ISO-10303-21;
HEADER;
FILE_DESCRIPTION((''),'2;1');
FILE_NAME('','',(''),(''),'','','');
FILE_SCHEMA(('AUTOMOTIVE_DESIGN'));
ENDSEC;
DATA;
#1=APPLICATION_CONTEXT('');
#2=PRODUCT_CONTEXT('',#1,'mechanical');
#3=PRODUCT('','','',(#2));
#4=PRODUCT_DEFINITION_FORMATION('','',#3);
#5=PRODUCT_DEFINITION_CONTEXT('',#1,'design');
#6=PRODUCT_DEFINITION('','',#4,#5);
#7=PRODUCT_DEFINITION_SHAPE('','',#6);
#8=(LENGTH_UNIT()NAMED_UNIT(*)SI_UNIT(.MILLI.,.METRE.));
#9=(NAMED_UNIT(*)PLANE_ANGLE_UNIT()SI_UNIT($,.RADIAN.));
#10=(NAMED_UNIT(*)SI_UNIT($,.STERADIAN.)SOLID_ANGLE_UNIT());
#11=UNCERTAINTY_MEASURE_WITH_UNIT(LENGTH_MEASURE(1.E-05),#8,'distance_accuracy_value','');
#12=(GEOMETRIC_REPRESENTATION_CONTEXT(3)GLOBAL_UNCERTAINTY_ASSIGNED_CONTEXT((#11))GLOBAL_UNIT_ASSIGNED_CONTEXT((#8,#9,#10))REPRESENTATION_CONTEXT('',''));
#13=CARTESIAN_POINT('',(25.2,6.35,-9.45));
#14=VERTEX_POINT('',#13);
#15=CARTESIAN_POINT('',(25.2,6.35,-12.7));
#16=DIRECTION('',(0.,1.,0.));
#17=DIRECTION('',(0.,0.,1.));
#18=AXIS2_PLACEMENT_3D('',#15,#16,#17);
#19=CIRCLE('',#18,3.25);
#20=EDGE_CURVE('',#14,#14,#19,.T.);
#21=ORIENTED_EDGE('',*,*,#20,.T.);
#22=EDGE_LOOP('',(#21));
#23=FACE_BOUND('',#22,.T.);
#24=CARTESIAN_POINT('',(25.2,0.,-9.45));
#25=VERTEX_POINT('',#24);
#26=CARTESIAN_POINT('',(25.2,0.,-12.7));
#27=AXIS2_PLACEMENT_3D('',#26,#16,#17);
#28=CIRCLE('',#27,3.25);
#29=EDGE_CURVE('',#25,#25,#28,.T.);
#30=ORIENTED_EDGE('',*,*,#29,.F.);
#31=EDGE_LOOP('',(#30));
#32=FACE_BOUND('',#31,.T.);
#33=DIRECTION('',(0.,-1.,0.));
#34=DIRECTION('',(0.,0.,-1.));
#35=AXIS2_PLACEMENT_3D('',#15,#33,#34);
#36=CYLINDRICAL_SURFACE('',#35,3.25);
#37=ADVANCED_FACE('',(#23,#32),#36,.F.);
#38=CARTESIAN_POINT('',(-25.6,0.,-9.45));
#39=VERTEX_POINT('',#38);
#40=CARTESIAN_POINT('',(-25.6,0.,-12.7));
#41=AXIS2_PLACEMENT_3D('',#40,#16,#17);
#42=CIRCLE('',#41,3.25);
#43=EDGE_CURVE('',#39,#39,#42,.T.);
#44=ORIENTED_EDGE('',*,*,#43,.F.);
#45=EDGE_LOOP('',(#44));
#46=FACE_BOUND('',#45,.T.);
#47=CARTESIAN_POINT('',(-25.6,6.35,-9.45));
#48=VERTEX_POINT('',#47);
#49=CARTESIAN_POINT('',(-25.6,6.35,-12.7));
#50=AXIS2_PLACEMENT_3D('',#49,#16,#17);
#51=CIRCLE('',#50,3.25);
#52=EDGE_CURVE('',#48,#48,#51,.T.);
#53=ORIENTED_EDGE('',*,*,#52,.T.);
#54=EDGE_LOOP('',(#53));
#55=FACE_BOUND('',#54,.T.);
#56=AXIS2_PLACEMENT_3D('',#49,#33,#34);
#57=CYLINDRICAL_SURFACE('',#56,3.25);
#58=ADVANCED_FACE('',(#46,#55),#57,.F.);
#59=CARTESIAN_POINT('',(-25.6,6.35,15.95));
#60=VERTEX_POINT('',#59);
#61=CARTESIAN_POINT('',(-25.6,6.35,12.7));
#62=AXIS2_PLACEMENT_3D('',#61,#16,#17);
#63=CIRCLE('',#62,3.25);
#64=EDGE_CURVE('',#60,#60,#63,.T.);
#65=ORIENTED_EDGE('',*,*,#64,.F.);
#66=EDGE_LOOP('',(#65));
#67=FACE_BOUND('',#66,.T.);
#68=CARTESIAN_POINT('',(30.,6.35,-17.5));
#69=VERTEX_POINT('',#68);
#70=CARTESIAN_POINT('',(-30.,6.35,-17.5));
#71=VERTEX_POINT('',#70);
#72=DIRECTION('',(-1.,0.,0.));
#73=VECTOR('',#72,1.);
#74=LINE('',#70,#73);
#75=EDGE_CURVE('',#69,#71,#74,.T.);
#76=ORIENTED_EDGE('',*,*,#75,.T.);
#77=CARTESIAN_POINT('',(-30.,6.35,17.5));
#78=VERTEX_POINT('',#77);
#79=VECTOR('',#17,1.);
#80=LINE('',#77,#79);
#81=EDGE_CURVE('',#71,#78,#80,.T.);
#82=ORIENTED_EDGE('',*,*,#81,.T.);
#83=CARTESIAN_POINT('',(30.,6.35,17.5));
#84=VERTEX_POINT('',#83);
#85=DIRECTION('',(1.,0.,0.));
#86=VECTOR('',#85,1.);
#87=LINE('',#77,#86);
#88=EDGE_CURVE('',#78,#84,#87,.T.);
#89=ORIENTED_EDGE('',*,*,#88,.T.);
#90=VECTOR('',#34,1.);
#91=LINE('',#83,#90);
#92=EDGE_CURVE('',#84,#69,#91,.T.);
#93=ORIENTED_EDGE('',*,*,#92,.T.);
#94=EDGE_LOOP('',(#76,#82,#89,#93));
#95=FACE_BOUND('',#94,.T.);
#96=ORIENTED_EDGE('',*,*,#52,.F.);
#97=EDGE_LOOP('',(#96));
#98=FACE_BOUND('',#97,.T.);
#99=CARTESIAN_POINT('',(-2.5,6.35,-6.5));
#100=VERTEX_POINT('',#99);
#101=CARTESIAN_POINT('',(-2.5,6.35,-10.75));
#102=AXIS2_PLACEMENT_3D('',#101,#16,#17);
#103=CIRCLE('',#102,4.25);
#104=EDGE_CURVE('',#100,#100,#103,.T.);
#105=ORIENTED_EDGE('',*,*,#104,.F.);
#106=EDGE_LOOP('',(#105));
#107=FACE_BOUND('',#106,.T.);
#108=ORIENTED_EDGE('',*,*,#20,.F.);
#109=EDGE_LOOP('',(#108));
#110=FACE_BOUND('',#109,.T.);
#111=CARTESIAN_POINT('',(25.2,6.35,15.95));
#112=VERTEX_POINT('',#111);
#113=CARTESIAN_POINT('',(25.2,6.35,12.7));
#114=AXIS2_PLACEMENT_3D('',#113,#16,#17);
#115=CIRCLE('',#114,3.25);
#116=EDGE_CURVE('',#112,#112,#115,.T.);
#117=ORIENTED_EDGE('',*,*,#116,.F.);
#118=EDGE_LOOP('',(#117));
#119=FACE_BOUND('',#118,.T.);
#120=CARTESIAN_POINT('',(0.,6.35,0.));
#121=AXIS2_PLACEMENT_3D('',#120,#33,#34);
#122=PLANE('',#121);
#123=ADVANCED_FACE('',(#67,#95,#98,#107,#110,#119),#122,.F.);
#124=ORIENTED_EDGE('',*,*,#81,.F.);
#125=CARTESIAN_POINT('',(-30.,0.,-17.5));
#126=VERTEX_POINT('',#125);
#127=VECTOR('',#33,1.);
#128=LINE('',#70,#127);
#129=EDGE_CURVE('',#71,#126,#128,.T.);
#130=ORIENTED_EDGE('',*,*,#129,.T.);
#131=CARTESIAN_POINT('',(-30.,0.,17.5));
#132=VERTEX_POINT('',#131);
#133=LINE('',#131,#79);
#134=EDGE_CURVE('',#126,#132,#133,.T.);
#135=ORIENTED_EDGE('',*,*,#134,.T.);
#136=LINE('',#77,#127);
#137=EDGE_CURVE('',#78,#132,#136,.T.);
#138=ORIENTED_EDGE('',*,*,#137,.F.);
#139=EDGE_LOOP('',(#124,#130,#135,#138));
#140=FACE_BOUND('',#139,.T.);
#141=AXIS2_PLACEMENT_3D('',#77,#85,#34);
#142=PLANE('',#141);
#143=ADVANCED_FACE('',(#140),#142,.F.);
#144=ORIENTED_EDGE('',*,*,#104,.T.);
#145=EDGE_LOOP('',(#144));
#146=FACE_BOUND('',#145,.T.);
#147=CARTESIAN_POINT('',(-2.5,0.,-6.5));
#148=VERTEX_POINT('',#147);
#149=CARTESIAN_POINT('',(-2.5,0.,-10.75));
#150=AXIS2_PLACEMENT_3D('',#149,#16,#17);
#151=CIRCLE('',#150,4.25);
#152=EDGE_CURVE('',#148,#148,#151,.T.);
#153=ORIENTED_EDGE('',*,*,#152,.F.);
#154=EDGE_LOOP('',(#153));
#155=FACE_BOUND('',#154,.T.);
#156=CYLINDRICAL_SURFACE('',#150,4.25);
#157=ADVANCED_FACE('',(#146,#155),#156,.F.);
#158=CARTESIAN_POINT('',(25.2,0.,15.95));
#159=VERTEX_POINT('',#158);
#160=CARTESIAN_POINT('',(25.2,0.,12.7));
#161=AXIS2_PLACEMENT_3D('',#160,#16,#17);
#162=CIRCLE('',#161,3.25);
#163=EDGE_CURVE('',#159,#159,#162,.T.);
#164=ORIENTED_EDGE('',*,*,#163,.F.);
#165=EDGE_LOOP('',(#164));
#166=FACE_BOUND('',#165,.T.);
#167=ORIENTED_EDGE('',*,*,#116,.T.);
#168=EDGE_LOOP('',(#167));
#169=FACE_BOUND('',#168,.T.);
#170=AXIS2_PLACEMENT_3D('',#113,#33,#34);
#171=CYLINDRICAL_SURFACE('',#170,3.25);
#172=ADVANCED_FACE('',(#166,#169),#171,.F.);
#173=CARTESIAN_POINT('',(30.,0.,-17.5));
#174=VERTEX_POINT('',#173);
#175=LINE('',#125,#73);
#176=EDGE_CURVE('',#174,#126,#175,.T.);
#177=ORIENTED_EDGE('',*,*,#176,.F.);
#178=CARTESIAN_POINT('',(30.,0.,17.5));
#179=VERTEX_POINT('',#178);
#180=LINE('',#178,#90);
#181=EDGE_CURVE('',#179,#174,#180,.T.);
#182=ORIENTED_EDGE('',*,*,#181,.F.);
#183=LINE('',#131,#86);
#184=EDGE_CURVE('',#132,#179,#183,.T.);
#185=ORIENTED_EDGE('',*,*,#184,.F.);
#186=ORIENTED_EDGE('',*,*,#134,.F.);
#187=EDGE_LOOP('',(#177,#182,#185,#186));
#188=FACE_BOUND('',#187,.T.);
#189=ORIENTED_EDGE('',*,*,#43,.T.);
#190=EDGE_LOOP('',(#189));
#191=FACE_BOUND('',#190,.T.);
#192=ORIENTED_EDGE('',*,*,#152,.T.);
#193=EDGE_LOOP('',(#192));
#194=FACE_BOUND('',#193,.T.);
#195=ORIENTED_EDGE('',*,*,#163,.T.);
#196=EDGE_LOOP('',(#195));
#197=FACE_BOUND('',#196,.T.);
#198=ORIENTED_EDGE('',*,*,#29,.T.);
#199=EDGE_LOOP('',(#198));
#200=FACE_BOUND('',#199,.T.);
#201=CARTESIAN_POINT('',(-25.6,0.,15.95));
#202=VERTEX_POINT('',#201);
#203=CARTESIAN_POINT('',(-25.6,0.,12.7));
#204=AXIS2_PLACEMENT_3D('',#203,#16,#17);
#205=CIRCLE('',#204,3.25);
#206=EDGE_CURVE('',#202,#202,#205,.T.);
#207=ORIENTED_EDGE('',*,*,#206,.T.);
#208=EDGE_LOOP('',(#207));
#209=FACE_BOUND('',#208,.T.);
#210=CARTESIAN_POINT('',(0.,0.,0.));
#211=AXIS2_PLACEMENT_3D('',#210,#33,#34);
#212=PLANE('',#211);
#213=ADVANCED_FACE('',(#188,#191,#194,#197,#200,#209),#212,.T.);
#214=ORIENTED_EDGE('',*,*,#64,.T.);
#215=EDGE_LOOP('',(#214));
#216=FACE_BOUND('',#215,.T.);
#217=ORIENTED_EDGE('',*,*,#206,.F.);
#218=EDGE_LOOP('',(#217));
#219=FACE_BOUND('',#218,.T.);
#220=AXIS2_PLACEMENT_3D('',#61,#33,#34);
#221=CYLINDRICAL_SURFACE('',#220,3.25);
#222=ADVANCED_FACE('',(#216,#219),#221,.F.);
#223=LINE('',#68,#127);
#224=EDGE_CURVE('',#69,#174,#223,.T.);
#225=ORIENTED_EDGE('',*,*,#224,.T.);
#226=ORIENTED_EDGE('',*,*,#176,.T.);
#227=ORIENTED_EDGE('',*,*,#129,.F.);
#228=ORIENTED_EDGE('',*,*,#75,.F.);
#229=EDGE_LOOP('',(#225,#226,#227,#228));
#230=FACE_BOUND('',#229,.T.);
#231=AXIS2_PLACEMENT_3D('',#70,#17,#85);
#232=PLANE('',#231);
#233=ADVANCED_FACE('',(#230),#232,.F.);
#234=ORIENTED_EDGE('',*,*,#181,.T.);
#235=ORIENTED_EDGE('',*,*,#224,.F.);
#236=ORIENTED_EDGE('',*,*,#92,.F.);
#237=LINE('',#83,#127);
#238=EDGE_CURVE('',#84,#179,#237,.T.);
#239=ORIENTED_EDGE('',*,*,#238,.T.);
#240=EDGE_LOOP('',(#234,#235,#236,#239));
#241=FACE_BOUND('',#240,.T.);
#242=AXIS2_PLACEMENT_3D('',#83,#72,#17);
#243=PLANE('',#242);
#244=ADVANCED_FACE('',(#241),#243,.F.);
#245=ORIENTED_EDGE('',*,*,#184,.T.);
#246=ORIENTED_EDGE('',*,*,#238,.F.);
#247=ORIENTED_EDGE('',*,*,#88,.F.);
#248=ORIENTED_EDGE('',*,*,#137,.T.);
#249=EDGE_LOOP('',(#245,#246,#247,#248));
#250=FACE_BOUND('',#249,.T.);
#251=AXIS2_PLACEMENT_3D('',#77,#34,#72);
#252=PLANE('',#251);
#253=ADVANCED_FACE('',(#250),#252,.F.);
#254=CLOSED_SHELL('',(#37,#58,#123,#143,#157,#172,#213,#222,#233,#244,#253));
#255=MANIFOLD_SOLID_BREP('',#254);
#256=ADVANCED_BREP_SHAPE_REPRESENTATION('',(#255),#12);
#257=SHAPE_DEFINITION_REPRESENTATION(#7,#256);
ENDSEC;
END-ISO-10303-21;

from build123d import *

# Parameters (mm, degrees)
SKETCH1_W           = 60
SKETCH1_H           = 35
SKETCH1_R           = 3.25
BOSS_EXTRUDE1_DEPTH = 6.35
SKETCH2_R           = 4.25
CUT_EXTRUDE1_DEPTH  = 7.35


with BuildPart() as part:
    # Sketch1 → Boss-Extrude1 (new body)
    with BuildSketch(Plane(origin=(0, 0, 0), x_dir=(1, 0, 0), z_dir=(0, 1, 0))):
        Rectangle(SKETCH1_W, SKETCH1_H)
        with Locations((-25.6, 12.7)):
            Circle(SKETCH1_R, mode=Mode.SUBTRACT)
        with Locations((25.2, 12.7)):
            Circle(SKETCH1_R, mode=Mode.SUBTRACT)
        with Locations((-25.6, -12.7)):
            Circle(SKETCH1_R, mode=Mode.SUBTRACT)
        with Locations((25.2, -12.7)):
            Circle(SKETCH1_R, mode=Mode.SUBTRACT)
    extrude(amount=BOSS_EXTRUDE1_DEPTH)

    # Sketch2 → Cut-Extrude1 (cut, through all)
    with BuildSketch(Plane(origin=(0, 6.35, 0), x_dir=(1, 0, 0), z_dir=(0, 1, 0))):
        with Locations((-2.5, 10.75)):
            Circle(SKETCH2_R)
    extrude(amount=-CUT_EXTRUDE1_DEPTH, mode=Mode.SUBTRACT)


solid = part.part
